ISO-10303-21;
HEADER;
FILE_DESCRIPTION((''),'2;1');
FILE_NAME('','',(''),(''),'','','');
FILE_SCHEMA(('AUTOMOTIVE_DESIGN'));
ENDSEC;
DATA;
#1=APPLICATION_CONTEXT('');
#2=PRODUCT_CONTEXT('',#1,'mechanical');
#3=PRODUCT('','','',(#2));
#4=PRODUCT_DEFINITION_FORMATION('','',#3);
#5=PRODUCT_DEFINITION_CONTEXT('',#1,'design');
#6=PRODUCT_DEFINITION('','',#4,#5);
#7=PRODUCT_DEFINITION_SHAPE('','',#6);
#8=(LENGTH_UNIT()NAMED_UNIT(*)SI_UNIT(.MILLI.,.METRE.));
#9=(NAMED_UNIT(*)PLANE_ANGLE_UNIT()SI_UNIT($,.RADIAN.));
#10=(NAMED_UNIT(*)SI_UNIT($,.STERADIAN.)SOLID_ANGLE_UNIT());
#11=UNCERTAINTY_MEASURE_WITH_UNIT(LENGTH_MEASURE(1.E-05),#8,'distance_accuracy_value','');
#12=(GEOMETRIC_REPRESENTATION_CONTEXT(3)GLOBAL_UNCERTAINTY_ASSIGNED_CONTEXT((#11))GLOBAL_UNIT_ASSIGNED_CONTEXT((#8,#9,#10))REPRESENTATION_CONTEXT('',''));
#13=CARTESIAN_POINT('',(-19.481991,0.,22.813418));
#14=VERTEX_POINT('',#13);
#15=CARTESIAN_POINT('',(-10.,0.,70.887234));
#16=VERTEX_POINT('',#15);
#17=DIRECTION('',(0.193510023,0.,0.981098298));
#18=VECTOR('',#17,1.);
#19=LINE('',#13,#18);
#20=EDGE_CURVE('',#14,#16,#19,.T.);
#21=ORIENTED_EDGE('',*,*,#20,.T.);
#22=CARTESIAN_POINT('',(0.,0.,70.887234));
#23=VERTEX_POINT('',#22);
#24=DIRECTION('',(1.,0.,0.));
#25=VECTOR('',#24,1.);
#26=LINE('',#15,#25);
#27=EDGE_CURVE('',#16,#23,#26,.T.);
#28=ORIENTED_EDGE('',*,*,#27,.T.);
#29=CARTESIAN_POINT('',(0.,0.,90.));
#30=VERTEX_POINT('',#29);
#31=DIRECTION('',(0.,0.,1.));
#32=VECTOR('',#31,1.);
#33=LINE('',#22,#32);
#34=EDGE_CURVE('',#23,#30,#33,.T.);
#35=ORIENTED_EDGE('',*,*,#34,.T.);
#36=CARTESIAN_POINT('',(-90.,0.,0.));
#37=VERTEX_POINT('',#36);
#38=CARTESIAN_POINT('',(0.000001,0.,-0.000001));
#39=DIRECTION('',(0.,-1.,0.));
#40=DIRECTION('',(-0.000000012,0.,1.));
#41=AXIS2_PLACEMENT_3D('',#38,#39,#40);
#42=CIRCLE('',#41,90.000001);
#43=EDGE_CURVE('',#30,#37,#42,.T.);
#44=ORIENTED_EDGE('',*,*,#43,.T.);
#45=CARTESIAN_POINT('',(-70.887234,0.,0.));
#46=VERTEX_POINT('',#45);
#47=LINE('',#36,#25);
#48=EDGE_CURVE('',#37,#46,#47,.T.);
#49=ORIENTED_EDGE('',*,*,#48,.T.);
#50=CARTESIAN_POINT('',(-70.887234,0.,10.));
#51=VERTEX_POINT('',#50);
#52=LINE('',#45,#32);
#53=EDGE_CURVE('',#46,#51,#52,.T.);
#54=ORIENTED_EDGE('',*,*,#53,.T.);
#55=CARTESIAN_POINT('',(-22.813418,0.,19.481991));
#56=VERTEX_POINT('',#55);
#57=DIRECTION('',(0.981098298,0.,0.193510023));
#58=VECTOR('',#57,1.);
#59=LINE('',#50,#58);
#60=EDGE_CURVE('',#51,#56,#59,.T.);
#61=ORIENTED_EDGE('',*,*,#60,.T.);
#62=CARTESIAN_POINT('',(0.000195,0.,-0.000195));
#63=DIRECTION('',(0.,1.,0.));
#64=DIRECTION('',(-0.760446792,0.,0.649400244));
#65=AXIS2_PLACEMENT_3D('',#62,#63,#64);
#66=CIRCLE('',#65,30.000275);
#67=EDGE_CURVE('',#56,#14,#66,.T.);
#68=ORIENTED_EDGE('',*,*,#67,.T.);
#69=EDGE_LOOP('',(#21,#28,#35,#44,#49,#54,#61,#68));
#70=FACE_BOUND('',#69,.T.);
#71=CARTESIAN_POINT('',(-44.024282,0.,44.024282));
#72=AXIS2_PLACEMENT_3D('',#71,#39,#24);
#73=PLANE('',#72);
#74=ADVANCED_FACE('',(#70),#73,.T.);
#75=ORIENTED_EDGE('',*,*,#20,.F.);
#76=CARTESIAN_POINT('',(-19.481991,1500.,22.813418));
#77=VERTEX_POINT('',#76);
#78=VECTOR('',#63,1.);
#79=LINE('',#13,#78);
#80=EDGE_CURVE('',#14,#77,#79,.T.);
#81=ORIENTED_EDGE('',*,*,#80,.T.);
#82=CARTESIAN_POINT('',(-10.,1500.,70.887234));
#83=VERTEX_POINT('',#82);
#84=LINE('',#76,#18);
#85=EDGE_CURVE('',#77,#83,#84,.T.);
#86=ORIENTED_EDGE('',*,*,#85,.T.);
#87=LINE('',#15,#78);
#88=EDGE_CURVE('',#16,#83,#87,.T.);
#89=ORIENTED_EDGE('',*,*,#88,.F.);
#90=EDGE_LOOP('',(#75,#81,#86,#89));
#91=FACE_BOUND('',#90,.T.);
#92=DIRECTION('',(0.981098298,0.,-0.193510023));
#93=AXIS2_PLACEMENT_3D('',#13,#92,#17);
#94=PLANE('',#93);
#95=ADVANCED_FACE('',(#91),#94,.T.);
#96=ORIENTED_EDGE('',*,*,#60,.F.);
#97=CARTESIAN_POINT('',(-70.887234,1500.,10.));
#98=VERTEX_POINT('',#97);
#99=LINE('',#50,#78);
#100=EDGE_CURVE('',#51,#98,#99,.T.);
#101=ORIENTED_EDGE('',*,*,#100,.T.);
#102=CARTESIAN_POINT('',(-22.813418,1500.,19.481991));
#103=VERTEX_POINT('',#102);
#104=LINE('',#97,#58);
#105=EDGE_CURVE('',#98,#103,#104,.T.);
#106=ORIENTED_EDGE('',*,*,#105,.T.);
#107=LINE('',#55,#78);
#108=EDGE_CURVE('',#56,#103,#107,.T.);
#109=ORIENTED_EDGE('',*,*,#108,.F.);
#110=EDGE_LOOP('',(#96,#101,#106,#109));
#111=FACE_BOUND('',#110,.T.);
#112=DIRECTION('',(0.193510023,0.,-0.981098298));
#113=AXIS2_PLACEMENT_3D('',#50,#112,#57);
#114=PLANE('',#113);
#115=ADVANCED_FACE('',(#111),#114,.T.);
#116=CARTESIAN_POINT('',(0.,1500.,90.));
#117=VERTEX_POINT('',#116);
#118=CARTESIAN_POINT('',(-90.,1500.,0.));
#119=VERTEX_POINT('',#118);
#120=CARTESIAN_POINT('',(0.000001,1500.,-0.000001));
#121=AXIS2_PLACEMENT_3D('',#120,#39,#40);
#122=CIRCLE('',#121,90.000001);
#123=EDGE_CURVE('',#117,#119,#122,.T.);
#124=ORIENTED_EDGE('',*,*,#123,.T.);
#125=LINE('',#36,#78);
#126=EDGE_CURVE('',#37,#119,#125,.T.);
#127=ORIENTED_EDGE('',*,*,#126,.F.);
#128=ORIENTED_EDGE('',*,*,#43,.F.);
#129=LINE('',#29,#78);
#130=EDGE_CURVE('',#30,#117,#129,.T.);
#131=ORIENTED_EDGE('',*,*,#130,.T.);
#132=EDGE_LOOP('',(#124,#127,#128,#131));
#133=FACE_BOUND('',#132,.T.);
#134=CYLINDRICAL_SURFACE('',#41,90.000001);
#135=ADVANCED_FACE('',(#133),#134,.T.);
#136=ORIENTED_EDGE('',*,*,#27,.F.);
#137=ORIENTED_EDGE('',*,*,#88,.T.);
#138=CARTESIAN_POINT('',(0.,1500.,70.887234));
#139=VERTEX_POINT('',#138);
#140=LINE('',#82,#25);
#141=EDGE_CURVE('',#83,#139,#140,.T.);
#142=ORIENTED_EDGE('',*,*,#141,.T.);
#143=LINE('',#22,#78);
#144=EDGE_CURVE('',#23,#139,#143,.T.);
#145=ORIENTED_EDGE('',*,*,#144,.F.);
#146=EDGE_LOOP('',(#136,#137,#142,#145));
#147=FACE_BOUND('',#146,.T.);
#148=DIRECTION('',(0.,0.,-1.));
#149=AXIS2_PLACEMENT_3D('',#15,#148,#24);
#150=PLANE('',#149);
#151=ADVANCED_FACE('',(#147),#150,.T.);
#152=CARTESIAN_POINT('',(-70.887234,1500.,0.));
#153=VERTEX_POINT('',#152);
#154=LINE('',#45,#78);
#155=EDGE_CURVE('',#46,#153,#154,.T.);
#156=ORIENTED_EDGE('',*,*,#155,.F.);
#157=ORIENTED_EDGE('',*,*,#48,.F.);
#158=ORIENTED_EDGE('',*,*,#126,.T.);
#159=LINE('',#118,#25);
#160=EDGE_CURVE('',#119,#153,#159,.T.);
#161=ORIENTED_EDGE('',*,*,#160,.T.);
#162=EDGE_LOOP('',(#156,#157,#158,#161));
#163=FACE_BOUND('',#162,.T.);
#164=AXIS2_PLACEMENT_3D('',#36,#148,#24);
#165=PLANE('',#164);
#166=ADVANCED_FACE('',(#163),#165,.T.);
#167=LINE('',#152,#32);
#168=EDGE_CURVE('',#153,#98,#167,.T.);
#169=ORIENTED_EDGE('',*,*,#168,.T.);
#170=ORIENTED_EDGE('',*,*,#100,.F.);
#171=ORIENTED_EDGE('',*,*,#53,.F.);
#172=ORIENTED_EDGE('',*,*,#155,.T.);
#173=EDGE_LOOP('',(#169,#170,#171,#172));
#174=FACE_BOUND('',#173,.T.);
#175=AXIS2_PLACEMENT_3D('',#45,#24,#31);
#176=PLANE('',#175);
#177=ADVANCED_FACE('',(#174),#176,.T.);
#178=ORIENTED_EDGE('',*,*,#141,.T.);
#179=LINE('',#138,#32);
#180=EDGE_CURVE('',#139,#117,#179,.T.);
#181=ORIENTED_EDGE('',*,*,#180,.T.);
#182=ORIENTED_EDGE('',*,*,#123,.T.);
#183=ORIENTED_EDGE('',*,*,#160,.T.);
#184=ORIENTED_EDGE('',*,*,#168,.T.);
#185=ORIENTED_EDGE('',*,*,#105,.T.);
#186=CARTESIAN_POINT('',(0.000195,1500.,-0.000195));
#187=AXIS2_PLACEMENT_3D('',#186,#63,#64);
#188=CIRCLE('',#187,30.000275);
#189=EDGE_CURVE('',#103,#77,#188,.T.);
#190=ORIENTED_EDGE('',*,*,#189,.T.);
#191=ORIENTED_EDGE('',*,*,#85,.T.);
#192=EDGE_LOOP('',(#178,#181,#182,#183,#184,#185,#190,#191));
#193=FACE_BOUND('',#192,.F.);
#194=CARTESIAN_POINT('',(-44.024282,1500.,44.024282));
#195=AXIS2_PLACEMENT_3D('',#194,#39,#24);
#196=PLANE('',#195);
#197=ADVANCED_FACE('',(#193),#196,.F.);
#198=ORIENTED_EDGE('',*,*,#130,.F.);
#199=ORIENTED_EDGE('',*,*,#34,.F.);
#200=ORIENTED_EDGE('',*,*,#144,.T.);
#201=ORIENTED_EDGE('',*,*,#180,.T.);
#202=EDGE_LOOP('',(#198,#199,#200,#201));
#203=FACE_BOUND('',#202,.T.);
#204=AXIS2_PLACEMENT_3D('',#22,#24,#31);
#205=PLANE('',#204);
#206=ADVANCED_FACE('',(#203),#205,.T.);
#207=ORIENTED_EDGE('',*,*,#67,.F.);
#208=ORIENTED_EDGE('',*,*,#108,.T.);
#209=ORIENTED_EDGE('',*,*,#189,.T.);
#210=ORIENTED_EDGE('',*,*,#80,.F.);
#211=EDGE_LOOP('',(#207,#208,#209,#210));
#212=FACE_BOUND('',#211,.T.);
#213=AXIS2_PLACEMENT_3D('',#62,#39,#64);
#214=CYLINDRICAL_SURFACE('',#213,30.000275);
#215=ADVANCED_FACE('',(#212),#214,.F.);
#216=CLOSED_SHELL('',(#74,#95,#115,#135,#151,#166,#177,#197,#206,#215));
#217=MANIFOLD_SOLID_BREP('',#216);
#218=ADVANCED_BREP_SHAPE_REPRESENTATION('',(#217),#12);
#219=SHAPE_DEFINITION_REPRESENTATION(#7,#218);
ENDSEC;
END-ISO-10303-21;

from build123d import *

# Parameters (mm, degrees)
F1_DEPTH = 1500


with BuildPart() as f1:
    # F0 (on Front) → F1 (new body)
    with BuildSketch(Plane.XZ):
        with BuildLine():
            Line((0, 70.887234), (0, 90))
            ThreePointArc((0, 90), (-63.63961, 63.63961), (-90, 0))
            Line((-90, 0), (-70.887234, 0))
            Line((-70.887234, 0), (-70.887234, 10))
            Line((-70.887234, 10), (-22.813418, 19.481991))
            ThreePointArc((-22.813418, 19.481991), (-21.213203, 21.213203), (-19.481991, 22.813418))
            Line((-19.481991, 22.813418), (-10, 70.887234))
            Line((-10, 70.887234), (0, 70.887234))
        make_face()
    extrude(amount=-F1_DEPTH)


solid = f1.part
